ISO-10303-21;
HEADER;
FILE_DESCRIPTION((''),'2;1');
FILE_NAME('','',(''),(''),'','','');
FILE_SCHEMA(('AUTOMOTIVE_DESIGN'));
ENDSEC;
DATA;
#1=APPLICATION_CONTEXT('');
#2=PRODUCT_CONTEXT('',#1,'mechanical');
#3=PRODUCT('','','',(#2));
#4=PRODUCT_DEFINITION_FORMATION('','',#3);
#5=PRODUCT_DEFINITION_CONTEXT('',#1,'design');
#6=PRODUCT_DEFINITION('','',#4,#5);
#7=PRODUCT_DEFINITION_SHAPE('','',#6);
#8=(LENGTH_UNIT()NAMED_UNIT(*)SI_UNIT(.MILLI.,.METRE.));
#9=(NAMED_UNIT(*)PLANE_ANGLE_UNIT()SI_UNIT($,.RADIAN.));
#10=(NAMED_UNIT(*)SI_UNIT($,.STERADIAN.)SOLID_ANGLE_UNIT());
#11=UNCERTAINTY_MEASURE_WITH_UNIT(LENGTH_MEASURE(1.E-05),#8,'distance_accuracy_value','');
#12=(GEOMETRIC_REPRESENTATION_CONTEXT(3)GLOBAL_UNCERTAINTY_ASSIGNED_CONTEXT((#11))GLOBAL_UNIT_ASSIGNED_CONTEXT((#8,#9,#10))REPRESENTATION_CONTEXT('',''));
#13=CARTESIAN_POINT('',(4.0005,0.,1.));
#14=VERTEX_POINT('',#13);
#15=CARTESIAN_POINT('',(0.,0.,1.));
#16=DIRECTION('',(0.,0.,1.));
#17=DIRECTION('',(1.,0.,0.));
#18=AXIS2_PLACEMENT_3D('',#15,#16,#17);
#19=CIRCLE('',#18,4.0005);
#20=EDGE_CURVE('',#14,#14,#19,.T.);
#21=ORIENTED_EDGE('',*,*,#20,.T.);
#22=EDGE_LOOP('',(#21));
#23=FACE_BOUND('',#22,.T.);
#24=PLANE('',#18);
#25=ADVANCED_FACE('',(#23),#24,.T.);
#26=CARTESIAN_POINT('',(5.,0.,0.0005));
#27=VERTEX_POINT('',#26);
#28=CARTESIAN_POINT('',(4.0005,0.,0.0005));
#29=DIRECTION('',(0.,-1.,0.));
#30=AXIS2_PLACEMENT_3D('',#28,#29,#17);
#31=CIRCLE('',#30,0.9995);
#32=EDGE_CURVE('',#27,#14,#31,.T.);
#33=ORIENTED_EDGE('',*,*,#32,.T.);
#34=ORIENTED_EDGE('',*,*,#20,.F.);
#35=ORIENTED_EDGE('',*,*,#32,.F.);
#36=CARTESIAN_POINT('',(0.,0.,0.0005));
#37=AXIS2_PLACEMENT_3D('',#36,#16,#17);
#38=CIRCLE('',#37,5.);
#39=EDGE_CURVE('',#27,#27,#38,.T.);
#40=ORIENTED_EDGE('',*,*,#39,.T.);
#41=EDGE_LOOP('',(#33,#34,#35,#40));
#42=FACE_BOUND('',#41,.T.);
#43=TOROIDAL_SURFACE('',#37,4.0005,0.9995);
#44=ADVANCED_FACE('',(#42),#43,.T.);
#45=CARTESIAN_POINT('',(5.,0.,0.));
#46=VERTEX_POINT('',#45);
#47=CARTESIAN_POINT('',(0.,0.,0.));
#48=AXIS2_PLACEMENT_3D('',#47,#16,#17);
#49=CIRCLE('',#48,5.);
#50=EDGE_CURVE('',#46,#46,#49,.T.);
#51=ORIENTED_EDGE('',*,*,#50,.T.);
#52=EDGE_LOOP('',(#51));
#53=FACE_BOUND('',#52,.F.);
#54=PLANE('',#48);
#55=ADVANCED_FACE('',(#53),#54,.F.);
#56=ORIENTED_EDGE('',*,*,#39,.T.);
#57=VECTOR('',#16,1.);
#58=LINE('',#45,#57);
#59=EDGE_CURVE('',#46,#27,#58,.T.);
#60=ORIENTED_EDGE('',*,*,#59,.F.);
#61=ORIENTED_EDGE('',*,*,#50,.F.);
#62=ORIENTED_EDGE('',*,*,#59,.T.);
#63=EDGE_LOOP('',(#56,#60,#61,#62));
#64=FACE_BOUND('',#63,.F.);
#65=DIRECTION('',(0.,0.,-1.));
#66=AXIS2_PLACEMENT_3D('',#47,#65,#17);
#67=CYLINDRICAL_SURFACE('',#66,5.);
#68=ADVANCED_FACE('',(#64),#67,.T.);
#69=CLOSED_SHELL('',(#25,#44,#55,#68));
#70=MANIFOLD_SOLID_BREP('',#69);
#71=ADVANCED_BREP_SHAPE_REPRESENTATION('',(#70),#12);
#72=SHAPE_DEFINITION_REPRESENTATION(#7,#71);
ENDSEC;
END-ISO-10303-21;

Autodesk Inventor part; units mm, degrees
ref_plane "YZ Plane" through (0, 0, 0) normal (1, 0, 0) x (0, 1, 0)
ref_plane "XZ Plane" through (0, 0, 0) normal (0, 1, 0) x (-1, 0, 0)
ref_plane "XY Plane" through (0, 0, 0) normal (0, 0, 1) x (1, 0, 0)
sketch "Sketch1" plane through (0, 0, 0) normal (0, 0, 1) x (1, 0, 0)
  circle A0 centre (0, 0) radius 5 projected
extrude "Extrusion1" add sketch "Sketch1" along normal blind 1
fillet "Fillet1" radius 1 1 edges at (-5, 0, 1)
properties part number "Cap"
